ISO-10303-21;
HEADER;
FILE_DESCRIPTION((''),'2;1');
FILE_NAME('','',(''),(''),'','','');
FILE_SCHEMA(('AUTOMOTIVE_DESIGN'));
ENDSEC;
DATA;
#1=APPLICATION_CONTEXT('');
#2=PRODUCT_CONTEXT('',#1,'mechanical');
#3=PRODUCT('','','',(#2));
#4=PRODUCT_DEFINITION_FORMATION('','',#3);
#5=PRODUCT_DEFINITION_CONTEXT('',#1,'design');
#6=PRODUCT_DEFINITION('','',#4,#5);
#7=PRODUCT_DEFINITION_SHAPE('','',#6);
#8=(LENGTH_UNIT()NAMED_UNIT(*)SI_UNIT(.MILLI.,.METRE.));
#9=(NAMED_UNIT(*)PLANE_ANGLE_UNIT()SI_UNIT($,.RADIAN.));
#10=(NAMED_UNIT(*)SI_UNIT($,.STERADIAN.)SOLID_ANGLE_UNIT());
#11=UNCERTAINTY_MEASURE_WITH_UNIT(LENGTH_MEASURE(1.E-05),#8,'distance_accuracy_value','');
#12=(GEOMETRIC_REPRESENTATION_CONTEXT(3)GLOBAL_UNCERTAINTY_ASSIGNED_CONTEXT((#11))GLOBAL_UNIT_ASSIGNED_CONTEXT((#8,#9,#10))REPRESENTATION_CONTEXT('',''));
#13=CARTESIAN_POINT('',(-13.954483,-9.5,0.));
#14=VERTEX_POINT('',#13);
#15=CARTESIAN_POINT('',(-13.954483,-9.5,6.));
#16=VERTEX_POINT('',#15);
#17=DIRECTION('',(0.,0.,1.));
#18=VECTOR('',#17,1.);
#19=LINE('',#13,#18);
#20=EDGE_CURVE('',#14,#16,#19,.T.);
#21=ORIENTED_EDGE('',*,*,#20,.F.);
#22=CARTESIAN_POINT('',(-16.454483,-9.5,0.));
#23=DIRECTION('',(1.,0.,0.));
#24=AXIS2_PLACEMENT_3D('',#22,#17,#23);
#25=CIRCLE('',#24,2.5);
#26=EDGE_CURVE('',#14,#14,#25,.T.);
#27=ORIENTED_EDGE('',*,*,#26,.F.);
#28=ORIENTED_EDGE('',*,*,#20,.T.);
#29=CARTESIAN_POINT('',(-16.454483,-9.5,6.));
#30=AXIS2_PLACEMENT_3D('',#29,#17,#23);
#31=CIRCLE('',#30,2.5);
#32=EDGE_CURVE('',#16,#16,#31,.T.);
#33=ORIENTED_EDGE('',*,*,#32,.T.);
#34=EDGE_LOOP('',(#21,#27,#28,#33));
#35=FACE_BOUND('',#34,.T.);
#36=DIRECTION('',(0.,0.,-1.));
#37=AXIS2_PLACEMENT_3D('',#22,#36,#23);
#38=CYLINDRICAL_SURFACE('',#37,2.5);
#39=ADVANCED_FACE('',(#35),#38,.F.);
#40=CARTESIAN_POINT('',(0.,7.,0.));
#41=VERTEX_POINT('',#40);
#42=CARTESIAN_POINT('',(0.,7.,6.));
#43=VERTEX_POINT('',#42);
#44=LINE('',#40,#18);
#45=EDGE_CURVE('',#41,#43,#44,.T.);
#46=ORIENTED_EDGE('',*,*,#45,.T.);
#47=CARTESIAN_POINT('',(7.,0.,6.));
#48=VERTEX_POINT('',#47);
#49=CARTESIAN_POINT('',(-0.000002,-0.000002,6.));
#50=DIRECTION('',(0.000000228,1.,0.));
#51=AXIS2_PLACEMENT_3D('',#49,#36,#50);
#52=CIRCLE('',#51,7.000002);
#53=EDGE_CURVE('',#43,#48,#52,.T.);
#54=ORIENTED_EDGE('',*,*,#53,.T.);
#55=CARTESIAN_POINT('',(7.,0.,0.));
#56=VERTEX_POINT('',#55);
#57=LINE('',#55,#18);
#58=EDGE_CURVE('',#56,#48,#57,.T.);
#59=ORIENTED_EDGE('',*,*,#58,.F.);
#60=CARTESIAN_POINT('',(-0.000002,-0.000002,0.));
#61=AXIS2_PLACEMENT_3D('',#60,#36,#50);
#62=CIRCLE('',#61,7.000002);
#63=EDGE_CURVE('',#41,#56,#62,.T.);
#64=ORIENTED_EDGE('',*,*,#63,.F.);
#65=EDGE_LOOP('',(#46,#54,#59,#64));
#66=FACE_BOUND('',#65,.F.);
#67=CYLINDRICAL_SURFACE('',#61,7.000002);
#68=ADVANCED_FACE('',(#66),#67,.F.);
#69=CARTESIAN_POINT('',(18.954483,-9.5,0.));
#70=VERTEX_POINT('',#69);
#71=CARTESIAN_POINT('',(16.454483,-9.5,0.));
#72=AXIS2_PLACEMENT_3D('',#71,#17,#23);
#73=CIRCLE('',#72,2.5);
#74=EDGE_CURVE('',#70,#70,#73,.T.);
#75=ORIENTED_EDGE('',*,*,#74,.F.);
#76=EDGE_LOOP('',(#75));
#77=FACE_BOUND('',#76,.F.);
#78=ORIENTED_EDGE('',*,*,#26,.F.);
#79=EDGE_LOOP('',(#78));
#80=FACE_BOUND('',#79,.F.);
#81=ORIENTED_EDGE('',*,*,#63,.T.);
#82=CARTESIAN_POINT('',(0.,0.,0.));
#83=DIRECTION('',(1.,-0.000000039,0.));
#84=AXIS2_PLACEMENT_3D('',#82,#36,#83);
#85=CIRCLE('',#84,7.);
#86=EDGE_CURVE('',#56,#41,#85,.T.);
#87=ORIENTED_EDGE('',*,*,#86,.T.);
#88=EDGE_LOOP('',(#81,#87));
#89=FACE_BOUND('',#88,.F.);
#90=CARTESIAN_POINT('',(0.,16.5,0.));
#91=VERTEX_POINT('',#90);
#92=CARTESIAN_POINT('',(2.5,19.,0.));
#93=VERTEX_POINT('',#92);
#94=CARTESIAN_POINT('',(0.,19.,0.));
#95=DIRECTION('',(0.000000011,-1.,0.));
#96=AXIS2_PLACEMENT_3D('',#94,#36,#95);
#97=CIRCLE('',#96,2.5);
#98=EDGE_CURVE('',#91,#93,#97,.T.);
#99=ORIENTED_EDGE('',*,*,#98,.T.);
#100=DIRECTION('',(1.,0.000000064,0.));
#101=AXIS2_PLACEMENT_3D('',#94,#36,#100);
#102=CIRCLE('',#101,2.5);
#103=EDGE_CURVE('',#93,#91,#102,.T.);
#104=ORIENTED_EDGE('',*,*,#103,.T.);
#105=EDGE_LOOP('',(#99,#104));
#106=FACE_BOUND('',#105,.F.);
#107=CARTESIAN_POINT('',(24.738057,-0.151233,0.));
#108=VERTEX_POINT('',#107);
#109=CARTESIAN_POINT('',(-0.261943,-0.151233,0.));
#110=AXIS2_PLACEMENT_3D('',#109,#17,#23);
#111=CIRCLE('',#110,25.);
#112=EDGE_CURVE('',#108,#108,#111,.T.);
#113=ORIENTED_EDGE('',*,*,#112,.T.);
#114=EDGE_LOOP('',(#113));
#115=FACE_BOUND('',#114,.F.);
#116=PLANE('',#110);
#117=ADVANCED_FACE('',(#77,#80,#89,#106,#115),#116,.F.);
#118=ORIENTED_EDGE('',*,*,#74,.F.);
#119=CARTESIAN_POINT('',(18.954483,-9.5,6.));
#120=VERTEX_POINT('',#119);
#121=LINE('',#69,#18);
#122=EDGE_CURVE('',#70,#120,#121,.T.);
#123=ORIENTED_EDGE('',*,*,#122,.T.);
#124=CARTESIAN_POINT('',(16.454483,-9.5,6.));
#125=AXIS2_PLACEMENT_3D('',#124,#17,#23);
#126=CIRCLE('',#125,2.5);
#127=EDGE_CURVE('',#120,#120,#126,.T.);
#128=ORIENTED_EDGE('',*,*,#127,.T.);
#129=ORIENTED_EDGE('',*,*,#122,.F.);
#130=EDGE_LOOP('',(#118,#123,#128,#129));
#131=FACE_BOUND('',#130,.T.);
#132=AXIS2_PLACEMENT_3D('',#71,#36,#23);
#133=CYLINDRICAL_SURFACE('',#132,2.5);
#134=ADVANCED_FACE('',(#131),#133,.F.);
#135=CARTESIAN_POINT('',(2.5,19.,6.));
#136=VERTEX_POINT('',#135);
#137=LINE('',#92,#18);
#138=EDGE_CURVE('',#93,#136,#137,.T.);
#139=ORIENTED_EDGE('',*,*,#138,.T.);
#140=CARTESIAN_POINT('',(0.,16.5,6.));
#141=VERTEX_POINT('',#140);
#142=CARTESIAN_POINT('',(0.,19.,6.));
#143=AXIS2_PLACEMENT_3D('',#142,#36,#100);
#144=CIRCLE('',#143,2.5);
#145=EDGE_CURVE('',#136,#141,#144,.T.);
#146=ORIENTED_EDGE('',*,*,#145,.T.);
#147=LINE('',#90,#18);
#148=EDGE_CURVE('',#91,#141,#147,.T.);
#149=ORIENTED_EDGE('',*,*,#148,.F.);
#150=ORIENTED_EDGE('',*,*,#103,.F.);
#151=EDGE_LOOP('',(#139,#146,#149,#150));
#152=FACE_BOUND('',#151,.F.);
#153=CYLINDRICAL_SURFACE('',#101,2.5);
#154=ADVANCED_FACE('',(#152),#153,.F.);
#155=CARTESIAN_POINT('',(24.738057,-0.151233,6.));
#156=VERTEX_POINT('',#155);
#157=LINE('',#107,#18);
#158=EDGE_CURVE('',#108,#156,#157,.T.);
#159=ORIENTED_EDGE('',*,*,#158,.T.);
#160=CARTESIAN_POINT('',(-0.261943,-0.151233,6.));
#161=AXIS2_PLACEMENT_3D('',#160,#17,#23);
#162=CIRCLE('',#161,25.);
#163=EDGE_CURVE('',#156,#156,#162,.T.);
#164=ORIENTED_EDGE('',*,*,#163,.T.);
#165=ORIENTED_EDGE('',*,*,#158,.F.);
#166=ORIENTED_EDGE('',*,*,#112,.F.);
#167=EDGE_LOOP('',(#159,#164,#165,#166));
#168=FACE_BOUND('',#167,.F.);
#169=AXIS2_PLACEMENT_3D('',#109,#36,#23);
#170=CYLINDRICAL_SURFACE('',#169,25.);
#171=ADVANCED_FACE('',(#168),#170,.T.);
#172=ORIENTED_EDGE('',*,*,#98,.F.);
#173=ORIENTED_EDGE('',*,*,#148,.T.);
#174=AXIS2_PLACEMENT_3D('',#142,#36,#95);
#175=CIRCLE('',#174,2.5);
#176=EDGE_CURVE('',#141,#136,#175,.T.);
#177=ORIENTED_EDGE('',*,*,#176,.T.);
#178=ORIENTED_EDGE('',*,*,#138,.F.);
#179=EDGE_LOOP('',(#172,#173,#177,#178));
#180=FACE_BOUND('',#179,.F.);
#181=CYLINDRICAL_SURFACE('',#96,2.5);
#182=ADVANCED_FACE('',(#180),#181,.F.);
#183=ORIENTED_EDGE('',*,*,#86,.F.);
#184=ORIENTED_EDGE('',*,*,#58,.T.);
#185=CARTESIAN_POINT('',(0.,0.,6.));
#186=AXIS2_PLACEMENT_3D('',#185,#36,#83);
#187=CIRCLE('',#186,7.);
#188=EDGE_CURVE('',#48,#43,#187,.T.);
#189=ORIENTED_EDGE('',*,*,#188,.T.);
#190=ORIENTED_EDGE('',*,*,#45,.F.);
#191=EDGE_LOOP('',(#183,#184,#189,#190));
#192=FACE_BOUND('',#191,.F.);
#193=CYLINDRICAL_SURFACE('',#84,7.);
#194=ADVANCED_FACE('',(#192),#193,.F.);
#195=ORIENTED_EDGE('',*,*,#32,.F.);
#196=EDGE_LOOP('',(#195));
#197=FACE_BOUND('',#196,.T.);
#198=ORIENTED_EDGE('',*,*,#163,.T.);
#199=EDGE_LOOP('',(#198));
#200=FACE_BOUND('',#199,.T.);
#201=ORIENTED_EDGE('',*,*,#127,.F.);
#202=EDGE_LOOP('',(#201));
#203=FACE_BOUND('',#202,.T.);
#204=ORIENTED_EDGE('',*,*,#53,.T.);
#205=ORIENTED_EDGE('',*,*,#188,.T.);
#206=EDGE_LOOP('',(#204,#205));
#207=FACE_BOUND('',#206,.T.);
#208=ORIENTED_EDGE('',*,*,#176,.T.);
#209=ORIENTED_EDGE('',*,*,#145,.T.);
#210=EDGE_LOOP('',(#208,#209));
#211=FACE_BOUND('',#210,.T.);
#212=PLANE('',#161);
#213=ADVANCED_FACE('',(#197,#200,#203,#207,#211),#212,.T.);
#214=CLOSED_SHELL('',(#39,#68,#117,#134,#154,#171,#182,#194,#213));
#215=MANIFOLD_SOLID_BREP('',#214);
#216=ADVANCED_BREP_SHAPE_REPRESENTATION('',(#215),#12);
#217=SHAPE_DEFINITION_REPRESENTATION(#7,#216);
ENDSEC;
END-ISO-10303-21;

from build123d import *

# Parameters (mm, degrees)
F0_R     = 25
F0_R_2   = 2.5
F1_DEPTH = 6


with BuildPart() as f1:
    # F0 (on Top) → F1 (new body)
    with BuildSketch(Plane.XY):
        with Locations((-0.261943, -0.151233)):
            Circle(F0_R)
        with Locations((-16.454483, -9.5)):
            Circle(F0_R_2, mode=Mode.SUBTRACT)
        with Locations((16.454483, -9.5)):
            Circle(F0_R_2, mode=Mode.SUBTRACT)
        with BuildLine():
            ThreePointArc((0, 7), (4.949747, 4.949747), (7, 0))
            ThreePointArc((7, 0), (-4.949747, -4.949747), (0, 7))
        make_face(mode=Mode.SUBTRACT)
        with BuildLine():
            ThreePointArc((0, 16.5), (-1.767767, 20.767767), (2.5, 19))
            ThreePointArc((2.5, 19), (1.767767, 17.232233), (0, 16.5))
        make_face(mode=Mode.SUBTRACT)
    extrude(amount=F1_DEPTH)


solid = f1.part
